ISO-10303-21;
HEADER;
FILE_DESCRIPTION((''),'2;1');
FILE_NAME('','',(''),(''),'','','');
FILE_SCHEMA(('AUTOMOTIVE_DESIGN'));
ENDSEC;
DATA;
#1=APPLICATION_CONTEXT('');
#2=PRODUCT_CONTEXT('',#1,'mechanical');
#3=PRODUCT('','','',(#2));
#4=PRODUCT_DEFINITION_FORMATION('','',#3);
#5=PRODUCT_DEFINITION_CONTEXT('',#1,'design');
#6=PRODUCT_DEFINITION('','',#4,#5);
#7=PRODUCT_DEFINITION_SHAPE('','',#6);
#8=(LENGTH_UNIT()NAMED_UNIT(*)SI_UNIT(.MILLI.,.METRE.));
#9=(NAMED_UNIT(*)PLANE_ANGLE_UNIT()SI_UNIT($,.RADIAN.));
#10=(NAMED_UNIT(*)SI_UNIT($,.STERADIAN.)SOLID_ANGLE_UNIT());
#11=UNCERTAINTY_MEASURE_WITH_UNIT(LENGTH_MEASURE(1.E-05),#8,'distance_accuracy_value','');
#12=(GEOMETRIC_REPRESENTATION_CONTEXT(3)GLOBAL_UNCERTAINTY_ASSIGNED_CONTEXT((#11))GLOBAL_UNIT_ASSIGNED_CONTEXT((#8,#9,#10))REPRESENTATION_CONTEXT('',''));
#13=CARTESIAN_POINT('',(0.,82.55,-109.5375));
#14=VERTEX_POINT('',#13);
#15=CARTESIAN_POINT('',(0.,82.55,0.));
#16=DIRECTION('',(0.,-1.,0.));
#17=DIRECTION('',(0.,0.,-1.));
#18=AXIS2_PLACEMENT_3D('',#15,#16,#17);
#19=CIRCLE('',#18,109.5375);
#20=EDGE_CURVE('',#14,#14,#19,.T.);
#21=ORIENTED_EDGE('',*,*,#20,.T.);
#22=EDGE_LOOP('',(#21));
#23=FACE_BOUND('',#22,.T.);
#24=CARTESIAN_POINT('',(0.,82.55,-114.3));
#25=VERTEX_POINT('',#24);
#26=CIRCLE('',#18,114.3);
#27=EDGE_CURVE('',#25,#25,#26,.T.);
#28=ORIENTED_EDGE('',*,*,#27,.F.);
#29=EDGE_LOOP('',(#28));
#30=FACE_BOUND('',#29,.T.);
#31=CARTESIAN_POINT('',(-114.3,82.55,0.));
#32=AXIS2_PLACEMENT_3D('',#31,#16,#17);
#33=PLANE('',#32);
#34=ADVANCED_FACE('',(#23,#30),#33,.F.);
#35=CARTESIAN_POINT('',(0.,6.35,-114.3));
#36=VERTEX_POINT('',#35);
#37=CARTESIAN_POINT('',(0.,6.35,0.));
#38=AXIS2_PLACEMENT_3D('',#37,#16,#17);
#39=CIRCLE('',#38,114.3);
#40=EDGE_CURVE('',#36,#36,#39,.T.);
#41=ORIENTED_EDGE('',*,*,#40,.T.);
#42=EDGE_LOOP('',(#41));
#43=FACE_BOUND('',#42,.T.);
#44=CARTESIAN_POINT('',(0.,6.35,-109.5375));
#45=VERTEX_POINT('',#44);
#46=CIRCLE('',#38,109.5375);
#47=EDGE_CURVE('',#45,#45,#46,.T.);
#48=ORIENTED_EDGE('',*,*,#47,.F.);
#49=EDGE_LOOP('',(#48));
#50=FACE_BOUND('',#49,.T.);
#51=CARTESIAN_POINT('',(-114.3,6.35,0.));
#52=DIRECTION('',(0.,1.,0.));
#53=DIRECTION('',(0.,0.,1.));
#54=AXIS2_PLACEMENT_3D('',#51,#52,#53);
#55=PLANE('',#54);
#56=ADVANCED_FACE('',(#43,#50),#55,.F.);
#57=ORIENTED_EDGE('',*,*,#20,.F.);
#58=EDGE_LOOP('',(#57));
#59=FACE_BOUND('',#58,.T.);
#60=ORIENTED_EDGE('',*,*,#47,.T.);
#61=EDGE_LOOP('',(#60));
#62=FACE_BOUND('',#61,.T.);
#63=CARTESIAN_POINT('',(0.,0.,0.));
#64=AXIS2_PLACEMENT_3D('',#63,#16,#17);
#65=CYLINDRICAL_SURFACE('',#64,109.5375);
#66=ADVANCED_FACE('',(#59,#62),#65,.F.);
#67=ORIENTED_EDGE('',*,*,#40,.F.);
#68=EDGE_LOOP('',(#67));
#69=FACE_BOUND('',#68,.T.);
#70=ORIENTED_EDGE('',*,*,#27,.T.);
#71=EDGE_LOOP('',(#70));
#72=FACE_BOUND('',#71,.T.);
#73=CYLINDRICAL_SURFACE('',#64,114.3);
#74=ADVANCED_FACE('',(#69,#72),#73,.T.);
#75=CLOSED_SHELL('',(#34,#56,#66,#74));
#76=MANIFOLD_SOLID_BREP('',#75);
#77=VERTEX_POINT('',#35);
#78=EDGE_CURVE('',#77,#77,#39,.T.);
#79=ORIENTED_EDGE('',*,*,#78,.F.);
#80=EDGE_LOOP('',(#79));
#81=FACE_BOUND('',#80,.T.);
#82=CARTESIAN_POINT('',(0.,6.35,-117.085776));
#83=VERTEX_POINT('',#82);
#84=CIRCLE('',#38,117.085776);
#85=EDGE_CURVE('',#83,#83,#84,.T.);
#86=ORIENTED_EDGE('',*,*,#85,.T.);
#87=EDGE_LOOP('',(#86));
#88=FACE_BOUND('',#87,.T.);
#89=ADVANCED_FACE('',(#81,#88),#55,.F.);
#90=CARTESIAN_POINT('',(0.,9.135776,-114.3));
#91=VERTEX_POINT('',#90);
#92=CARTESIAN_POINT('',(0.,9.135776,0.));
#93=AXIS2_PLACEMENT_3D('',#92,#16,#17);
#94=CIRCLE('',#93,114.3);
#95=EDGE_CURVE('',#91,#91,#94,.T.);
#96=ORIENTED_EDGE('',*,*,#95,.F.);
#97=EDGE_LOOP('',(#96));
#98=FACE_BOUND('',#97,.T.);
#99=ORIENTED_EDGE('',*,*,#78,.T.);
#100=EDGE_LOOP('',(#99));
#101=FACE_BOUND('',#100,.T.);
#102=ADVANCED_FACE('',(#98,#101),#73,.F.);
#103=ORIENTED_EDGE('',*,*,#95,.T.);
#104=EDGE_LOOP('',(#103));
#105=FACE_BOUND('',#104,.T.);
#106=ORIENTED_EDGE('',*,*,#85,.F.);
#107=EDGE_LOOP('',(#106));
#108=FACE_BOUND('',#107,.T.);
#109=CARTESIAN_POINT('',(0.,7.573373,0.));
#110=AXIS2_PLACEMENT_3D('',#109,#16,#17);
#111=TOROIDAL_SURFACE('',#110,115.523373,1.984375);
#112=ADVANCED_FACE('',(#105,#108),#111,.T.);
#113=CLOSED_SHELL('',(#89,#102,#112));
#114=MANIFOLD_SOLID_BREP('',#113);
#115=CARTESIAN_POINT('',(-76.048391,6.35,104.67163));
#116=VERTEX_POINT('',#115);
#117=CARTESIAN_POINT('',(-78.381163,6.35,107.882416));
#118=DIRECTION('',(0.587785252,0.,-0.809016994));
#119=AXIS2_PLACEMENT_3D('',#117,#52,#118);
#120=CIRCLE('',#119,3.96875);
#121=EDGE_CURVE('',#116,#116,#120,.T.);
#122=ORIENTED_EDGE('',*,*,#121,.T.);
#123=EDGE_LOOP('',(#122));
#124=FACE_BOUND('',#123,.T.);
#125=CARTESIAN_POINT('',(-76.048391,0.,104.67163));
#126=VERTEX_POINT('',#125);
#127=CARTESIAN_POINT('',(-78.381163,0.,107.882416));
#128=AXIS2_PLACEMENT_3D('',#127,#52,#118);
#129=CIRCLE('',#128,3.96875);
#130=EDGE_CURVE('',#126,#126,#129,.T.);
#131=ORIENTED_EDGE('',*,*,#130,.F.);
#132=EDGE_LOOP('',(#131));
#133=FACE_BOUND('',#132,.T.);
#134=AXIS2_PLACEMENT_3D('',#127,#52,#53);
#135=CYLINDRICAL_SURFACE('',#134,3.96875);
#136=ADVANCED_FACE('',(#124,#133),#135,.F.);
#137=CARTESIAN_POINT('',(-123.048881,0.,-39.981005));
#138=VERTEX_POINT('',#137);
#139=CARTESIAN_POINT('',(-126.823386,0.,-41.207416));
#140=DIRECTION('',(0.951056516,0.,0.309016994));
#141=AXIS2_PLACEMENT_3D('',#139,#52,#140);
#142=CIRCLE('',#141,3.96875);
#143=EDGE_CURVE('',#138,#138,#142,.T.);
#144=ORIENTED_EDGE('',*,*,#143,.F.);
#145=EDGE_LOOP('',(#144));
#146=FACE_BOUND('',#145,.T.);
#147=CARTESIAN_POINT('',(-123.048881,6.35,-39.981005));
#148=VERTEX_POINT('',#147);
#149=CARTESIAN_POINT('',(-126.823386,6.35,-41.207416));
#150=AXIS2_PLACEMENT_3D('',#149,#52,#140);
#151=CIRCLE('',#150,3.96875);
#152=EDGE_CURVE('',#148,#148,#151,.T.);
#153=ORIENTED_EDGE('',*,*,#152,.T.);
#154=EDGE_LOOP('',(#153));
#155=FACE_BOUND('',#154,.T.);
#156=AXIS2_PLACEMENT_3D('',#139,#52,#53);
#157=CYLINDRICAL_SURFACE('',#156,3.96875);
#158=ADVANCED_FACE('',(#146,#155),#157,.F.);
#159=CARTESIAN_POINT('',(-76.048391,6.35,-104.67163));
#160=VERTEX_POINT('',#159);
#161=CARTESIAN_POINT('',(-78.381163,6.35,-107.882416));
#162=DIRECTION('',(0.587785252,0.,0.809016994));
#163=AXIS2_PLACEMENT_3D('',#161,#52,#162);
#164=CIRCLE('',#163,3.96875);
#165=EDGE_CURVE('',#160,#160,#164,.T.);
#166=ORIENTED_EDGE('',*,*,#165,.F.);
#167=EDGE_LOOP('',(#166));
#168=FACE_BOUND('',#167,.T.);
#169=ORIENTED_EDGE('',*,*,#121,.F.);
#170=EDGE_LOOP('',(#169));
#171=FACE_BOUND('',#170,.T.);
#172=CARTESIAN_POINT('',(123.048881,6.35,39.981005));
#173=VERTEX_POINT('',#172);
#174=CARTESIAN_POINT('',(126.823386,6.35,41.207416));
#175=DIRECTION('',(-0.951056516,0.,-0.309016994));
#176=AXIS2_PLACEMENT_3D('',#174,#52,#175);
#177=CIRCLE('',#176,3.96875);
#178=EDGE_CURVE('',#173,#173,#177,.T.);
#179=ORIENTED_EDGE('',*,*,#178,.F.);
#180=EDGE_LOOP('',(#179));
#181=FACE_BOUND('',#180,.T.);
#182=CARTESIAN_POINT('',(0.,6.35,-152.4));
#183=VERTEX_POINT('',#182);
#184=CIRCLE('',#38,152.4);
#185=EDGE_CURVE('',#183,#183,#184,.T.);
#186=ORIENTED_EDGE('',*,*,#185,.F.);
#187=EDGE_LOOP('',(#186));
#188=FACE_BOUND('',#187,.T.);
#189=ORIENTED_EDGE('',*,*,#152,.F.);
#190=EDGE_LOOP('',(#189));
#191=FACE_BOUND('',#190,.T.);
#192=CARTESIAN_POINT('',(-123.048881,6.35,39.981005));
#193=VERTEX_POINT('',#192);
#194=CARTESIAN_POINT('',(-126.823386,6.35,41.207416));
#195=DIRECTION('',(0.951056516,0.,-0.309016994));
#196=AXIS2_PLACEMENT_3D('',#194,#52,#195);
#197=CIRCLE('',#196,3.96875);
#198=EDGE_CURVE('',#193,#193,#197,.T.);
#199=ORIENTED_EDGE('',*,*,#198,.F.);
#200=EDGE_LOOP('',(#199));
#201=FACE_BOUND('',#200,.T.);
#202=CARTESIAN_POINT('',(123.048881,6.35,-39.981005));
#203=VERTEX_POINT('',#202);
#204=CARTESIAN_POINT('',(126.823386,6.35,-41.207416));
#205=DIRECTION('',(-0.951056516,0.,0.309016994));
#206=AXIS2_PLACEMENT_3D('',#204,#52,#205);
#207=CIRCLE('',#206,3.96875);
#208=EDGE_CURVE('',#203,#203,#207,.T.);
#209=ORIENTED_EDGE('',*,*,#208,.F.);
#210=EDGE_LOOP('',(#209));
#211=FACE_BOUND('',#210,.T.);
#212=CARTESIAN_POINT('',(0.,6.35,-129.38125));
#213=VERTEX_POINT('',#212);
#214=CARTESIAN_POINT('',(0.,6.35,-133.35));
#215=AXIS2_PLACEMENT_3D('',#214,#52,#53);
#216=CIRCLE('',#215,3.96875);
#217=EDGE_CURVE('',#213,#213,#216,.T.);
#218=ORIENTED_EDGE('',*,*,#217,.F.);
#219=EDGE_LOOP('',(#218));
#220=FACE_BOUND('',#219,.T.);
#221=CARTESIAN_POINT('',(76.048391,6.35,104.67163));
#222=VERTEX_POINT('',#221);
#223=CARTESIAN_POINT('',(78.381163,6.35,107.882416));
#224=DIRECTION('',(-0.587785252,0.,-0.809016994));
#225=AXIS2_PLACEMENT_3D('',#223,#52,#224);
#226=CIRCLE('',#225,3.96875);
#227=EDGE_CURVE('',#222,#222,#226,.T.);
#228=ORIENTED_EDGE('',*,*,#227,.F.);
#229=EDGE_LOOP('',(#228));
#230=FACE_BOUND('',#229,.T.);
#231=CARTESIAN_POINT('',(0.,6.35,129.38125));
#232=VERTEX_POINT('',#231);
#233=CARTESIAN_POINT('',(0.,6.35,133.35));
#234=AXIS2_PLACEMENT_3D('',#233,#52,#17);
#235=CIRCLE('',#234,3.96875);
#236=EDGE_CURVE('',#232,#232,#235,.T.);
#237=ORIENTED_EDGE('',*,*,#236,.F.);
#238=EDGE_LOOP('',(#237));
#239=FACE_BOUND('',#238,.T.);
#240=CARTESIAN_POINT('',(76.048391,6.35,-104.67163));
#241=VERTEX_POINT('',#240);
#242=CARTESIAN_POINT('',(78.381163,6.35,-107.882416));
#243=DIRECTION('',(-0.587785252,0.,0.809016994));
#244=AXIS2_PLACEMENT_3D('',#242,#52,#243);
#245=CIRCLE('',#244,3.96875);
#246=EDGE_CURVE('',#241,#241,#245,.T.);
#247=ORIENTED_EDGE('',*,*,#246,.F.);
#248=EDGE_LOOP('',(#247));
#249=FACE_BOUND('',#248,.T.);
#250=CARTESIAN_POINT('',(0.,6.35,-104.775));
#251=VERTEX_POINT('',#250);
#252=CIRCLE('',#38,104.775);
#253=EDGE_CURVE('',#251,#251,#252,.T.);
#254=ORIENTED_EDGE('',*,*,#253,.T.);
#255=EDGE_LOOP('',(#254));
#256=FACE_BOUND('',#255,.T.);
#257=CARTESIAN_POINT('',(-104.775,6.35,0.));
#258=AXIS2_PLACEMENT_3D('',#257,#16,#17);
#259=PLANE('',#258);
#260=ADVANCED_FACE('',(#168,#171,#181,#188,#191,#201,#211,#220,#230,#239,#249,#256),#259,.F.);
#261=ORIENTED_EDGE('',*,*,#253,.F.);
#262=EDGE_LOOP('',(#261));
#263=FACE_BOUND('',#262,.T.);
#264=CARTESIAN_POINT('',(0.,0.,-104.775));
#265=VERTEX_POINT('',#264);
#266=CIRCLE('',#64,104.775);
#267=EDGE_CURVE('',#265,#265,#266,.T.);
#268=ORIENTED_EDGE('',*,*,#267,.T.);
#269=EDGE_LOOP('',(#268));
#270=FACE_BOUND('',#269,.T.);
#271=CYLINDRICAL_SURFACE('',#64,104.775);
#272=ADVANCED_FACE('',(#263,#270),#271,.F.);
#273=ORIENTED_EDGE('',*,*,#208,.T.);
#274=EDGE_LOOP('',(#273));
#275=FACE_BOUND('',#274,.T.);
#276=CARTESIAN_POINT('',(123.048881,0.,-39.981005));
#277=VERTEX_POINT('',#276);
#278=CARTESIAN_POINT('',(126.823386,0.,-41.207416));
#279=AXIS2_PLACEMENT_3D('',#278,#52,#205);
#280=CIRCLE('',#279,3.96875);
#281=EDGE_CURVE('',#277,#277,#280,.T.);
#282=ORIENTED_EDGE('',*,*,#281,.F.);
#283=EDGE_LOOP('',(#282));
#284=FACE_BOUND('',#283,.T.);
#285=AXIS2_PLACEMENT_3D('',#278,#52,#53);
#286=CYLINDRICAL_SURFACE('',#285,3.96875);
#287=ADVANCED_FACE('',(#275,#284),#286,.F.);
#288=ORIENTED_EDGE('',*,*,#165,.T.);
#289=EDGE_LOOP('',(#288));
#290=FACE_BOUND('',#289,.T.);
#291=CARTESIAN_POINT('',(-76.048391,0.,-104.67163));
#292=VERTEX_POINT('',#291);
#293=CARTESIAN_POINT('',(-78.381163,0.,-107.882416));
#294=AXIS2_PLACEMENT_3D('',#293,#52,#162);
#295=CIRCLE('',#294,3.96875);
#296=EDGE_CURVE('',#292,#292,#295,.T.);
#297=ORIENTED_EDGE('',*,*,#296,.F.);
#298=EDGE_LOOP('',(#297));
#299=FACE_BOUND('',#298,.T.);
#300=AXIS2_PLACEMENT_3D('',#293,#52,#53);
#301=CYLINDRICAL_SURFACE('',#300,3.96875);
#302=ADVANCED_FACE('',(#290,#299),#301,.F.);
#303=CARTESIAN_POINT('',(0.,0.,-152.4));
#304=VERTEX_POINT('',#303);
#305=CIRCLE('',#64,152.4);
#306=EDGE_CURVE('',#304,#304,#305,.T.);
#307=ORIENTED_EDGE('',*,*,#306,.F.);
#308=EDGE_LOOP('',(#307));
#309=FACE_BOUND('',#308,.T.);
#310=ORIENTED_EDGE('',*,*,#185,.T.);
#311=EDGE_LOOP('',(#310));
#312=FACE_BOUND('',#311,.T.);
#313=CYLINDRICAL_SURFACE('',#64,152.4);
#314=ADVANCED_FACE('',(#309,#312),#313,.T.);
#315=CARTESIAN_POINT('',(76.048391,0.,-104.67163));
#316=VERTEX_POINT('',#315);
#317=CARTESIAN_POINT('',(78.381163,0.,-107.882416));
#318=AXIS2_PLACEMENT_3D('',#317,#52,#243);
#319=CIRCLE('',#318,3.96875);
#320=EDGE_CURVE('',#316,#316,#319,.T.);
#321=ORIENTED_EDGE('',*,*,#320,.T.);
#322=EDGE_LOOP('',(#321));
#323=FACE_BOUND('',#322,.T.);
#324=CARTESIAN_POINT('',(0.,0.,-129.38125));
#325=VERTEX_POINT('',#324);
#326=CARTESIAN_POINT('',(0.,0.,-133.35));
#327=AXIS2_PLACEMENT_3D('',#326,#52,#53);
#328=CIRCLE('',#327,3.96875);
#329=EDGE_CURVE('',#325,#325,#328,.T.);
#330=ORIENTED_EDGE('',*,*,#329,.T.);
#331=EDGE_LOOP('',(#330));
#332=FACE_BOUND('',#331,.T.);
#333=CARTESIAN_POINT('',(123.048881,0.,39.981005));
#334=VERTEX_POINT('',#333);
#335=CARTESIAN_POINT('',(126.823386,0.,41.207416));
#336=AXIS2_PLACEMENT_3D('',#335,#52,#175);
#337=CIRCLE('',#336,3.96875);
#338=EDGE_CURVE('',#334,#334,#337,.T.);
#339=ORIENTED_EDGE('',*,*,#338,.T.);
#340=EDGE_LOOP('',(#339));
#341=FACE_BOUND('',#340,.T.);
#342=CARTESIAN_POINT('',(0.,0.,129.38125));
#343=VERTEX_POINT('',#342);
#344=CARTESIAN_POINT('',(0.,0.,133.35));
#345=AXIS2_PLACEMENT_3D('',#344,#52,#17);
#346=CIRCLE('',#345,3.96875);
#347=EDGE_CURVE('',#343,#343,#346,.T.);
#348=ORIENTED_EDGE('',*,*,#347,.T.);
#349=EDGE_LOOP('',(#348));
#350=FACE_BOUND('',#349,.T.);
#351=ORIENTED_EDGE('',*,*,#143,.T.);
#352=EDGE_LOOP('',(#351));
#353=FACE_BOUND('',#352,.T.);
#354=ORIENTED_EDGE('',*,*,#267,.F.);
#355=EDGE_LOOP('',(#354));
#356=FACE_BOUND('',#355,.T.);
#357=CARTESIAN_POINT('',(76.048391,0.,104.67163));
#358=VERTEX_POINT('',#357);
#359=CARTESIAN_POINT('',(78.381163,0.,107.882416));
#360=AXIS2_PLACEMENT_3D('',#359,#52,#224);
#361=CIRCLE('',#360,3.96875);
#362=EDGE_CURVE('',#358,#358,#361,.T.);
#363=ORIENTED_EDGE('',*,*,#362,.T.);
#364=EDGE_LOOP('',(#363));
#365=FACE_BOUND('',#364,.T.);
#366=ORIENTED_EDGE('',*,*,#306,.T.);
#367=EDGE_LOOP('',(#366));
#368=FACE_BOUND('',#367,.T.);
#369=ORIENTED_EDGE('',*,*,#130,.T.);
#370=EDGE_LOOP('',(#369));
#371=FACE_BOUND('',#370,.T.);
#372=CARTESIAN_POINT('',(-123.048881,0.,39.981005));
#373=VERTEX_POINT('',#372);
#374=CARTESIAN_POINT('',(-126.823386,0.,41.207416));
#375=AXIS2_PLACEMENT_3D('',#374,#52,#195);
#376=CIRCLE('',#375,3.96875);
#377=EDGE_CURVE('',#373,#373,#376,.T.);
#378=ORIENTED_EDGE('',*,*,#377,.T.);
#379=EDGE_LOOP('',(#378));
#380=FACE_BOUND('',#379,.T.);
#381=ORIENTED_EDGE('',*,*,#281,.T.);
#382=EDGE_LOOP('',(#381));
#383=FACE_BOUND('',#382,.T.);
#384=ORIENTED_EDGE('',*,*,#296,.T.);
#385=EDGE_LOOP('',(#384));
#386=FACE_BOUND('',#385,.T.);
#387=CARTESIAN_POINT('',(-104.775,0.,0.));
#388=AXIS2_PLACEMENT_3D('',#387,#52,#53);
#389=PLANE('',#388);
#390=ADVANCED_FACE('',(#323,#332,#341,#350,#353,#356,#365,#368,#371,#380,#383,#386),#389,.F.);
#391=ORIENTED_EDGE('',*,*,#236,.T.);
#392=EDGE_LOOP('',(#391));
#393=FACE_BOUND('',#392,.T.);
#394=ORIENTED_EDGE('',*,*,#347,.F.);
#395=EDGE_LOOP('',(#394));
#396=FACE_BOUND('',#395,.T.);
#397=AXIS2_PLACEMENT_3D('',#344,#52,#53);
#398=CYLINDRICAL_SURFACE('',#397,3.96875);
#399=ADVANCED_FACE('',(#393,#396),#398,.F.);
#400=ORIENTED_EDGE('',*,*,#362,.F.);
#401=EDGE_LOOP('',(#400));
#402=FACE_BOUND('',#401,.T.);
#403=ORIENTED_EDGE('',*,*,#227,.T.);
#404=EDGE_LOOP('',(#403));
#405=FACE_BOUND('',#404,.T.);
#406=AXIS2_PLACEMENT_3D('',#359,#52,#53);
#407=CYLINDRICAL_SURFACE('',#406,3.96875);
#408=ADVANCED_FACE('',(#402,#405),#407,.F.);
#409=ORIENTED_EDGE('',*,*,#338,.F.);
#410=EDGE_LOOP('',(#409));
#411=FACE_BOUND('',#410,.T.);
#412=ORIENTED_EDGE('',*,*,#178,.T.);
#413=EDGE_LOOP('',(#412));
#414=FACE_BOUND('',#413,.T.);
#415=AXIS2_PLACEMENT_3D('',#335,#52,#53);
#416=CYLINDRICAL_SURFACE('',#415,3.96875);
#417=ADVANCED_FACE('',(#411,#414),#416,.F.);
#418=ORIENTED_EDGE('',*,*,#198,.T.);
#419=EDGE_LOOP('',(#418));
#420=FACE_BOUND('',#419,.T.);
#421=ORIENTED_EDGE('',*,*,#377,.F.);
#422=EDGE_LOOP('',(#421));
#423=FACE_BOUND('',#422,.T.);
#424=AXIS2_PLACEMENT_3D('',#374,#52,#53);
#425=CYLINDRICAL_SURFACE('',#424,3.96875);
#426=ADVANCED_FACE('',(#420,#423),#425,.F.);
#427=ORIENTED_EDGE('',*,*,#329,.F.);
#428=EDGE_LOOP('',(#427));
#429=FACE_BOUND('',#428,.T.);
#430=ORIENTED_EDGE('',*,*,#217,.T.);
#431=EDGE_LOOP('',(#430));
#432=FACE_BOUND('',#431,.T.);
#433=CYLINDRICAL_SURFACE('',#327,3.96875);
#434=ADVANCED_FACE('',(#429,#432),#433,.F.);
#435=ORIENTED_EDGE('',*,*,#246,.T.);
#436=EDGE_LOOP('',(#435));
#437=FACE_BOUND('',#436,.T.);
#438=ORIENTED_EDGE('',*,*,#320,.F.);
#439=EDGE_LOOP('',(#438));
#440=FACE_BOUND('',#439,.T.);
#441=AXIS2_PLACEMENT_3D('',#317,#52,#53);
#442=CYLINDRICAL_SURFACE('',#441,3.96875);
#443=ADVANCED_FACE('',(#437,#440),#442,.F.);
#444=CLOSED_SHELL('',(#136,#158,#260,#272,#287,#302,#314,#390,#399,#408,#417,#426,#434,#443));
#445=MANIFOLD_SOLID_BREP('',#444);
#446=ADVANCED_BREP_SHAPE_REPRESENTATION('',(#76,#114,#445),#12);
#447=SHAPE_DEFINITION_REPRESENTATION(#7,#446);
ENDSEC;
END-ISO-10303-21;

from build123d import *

# Parameters (mm, degrees)
SKETCH1_W          = 47.625
SKETCH1_H          = 6.35
SKETCH2_W          = 4.7625
SKETCH2_H          = 76.2
SKETCH4_R          = 3.96875
CUT_EXTRUDE1_DEPTH = 7.35
CIRPATTERN1_COUNT  = 10


with BuildPart() as part:
    # Sketch1 → Revolve1 (revolve)
    with BuildSketch(Plane.XY, mode=Mode.PRIVATE) as revolve1_sk:
        with Locations((-128.5875, 3.175)):
            Rectangle(SKETCH1_W, SKETCH1_H)
    revolve(revolve1_sk.sketch.rotate(Axis((0, 0, 0), (0, 1, 0)), 270), axis=Axis((0, 0, 0), (0, 1, 0)))  # turned: the seam where the file's is

    # Sketch4 → Cut-Extrude1 (cut, through all)
    with BuildSketch(Plane(origin=(0, 6.35, 0), x_dir=(1, 0, 0), z_dir=(0, 1, 0))):
        with Locations(Location((0, 133.35, 0), (0, 0, 270))):  # turned: the seam where the file's is
            Circle(SKETCH4_R)
    cut_extrude1 = extrude(amount=-CUT_EXTRUDE1_DEPTH, mode=Mode.SUBTRACT)

    # CirPattern1: Cut-Extrude1 ×10 about axis
    cirpattern1_axis = Axis((0, 0, 0), (0, 1, 0))
    for i in range(1, CIRPATTERN1_COUNT):
        add(cut_extrude1.rotate(cirpattern1_axis, i * 360 / CIRPATTERN1_COUNT), mode=Mode.SUBTRACT)


with BuildPart() as body_2:
    # Sketch2 → Revolve2 (revolve)
    with BuildSketch(Plane.XY, mode=Mode.PRIVATE) as revolve2_sk:
        with Locations((-111.91875, 44.45)):
            Rectangle(SKETCH2_W, SKETCH2_H)
    revolve(revolve2_sk.sketch.rotate(Axis((0, 0, 0), (0, 1, 0)), 270), axis=Axis((0, 0, 0), (0, 1, 0)))  # turned: the seam where the file's is


with BuildPart() as body_3:
    # Sketch3 → Revolve3 (revolve)
    with BuildSketch(Plane.XY, mode=Mode.PRIVATE) as revolve3_sk:
        with BuildLine():
            Line((-114.3, 6.35), (-117.085775819, 6.35))
            ThreePointArc((-117.085775819, 6.35), (-116.926537909, 8.976537909), (-114.3, 9.135775819))
            Line((-114.3, 9.135775819), (-114.3, 6.35))
        make_face()
    revolve(revolve3_sk.sketch.rotate(Axis((0, 0, 0), (0, 1, 0)), 270), axis=Axis((0, 0, 0), (0, 1, 0)))  # turned: the seam where the file's is


solid = Compound([part.part, body_2.part, body_3.part])
